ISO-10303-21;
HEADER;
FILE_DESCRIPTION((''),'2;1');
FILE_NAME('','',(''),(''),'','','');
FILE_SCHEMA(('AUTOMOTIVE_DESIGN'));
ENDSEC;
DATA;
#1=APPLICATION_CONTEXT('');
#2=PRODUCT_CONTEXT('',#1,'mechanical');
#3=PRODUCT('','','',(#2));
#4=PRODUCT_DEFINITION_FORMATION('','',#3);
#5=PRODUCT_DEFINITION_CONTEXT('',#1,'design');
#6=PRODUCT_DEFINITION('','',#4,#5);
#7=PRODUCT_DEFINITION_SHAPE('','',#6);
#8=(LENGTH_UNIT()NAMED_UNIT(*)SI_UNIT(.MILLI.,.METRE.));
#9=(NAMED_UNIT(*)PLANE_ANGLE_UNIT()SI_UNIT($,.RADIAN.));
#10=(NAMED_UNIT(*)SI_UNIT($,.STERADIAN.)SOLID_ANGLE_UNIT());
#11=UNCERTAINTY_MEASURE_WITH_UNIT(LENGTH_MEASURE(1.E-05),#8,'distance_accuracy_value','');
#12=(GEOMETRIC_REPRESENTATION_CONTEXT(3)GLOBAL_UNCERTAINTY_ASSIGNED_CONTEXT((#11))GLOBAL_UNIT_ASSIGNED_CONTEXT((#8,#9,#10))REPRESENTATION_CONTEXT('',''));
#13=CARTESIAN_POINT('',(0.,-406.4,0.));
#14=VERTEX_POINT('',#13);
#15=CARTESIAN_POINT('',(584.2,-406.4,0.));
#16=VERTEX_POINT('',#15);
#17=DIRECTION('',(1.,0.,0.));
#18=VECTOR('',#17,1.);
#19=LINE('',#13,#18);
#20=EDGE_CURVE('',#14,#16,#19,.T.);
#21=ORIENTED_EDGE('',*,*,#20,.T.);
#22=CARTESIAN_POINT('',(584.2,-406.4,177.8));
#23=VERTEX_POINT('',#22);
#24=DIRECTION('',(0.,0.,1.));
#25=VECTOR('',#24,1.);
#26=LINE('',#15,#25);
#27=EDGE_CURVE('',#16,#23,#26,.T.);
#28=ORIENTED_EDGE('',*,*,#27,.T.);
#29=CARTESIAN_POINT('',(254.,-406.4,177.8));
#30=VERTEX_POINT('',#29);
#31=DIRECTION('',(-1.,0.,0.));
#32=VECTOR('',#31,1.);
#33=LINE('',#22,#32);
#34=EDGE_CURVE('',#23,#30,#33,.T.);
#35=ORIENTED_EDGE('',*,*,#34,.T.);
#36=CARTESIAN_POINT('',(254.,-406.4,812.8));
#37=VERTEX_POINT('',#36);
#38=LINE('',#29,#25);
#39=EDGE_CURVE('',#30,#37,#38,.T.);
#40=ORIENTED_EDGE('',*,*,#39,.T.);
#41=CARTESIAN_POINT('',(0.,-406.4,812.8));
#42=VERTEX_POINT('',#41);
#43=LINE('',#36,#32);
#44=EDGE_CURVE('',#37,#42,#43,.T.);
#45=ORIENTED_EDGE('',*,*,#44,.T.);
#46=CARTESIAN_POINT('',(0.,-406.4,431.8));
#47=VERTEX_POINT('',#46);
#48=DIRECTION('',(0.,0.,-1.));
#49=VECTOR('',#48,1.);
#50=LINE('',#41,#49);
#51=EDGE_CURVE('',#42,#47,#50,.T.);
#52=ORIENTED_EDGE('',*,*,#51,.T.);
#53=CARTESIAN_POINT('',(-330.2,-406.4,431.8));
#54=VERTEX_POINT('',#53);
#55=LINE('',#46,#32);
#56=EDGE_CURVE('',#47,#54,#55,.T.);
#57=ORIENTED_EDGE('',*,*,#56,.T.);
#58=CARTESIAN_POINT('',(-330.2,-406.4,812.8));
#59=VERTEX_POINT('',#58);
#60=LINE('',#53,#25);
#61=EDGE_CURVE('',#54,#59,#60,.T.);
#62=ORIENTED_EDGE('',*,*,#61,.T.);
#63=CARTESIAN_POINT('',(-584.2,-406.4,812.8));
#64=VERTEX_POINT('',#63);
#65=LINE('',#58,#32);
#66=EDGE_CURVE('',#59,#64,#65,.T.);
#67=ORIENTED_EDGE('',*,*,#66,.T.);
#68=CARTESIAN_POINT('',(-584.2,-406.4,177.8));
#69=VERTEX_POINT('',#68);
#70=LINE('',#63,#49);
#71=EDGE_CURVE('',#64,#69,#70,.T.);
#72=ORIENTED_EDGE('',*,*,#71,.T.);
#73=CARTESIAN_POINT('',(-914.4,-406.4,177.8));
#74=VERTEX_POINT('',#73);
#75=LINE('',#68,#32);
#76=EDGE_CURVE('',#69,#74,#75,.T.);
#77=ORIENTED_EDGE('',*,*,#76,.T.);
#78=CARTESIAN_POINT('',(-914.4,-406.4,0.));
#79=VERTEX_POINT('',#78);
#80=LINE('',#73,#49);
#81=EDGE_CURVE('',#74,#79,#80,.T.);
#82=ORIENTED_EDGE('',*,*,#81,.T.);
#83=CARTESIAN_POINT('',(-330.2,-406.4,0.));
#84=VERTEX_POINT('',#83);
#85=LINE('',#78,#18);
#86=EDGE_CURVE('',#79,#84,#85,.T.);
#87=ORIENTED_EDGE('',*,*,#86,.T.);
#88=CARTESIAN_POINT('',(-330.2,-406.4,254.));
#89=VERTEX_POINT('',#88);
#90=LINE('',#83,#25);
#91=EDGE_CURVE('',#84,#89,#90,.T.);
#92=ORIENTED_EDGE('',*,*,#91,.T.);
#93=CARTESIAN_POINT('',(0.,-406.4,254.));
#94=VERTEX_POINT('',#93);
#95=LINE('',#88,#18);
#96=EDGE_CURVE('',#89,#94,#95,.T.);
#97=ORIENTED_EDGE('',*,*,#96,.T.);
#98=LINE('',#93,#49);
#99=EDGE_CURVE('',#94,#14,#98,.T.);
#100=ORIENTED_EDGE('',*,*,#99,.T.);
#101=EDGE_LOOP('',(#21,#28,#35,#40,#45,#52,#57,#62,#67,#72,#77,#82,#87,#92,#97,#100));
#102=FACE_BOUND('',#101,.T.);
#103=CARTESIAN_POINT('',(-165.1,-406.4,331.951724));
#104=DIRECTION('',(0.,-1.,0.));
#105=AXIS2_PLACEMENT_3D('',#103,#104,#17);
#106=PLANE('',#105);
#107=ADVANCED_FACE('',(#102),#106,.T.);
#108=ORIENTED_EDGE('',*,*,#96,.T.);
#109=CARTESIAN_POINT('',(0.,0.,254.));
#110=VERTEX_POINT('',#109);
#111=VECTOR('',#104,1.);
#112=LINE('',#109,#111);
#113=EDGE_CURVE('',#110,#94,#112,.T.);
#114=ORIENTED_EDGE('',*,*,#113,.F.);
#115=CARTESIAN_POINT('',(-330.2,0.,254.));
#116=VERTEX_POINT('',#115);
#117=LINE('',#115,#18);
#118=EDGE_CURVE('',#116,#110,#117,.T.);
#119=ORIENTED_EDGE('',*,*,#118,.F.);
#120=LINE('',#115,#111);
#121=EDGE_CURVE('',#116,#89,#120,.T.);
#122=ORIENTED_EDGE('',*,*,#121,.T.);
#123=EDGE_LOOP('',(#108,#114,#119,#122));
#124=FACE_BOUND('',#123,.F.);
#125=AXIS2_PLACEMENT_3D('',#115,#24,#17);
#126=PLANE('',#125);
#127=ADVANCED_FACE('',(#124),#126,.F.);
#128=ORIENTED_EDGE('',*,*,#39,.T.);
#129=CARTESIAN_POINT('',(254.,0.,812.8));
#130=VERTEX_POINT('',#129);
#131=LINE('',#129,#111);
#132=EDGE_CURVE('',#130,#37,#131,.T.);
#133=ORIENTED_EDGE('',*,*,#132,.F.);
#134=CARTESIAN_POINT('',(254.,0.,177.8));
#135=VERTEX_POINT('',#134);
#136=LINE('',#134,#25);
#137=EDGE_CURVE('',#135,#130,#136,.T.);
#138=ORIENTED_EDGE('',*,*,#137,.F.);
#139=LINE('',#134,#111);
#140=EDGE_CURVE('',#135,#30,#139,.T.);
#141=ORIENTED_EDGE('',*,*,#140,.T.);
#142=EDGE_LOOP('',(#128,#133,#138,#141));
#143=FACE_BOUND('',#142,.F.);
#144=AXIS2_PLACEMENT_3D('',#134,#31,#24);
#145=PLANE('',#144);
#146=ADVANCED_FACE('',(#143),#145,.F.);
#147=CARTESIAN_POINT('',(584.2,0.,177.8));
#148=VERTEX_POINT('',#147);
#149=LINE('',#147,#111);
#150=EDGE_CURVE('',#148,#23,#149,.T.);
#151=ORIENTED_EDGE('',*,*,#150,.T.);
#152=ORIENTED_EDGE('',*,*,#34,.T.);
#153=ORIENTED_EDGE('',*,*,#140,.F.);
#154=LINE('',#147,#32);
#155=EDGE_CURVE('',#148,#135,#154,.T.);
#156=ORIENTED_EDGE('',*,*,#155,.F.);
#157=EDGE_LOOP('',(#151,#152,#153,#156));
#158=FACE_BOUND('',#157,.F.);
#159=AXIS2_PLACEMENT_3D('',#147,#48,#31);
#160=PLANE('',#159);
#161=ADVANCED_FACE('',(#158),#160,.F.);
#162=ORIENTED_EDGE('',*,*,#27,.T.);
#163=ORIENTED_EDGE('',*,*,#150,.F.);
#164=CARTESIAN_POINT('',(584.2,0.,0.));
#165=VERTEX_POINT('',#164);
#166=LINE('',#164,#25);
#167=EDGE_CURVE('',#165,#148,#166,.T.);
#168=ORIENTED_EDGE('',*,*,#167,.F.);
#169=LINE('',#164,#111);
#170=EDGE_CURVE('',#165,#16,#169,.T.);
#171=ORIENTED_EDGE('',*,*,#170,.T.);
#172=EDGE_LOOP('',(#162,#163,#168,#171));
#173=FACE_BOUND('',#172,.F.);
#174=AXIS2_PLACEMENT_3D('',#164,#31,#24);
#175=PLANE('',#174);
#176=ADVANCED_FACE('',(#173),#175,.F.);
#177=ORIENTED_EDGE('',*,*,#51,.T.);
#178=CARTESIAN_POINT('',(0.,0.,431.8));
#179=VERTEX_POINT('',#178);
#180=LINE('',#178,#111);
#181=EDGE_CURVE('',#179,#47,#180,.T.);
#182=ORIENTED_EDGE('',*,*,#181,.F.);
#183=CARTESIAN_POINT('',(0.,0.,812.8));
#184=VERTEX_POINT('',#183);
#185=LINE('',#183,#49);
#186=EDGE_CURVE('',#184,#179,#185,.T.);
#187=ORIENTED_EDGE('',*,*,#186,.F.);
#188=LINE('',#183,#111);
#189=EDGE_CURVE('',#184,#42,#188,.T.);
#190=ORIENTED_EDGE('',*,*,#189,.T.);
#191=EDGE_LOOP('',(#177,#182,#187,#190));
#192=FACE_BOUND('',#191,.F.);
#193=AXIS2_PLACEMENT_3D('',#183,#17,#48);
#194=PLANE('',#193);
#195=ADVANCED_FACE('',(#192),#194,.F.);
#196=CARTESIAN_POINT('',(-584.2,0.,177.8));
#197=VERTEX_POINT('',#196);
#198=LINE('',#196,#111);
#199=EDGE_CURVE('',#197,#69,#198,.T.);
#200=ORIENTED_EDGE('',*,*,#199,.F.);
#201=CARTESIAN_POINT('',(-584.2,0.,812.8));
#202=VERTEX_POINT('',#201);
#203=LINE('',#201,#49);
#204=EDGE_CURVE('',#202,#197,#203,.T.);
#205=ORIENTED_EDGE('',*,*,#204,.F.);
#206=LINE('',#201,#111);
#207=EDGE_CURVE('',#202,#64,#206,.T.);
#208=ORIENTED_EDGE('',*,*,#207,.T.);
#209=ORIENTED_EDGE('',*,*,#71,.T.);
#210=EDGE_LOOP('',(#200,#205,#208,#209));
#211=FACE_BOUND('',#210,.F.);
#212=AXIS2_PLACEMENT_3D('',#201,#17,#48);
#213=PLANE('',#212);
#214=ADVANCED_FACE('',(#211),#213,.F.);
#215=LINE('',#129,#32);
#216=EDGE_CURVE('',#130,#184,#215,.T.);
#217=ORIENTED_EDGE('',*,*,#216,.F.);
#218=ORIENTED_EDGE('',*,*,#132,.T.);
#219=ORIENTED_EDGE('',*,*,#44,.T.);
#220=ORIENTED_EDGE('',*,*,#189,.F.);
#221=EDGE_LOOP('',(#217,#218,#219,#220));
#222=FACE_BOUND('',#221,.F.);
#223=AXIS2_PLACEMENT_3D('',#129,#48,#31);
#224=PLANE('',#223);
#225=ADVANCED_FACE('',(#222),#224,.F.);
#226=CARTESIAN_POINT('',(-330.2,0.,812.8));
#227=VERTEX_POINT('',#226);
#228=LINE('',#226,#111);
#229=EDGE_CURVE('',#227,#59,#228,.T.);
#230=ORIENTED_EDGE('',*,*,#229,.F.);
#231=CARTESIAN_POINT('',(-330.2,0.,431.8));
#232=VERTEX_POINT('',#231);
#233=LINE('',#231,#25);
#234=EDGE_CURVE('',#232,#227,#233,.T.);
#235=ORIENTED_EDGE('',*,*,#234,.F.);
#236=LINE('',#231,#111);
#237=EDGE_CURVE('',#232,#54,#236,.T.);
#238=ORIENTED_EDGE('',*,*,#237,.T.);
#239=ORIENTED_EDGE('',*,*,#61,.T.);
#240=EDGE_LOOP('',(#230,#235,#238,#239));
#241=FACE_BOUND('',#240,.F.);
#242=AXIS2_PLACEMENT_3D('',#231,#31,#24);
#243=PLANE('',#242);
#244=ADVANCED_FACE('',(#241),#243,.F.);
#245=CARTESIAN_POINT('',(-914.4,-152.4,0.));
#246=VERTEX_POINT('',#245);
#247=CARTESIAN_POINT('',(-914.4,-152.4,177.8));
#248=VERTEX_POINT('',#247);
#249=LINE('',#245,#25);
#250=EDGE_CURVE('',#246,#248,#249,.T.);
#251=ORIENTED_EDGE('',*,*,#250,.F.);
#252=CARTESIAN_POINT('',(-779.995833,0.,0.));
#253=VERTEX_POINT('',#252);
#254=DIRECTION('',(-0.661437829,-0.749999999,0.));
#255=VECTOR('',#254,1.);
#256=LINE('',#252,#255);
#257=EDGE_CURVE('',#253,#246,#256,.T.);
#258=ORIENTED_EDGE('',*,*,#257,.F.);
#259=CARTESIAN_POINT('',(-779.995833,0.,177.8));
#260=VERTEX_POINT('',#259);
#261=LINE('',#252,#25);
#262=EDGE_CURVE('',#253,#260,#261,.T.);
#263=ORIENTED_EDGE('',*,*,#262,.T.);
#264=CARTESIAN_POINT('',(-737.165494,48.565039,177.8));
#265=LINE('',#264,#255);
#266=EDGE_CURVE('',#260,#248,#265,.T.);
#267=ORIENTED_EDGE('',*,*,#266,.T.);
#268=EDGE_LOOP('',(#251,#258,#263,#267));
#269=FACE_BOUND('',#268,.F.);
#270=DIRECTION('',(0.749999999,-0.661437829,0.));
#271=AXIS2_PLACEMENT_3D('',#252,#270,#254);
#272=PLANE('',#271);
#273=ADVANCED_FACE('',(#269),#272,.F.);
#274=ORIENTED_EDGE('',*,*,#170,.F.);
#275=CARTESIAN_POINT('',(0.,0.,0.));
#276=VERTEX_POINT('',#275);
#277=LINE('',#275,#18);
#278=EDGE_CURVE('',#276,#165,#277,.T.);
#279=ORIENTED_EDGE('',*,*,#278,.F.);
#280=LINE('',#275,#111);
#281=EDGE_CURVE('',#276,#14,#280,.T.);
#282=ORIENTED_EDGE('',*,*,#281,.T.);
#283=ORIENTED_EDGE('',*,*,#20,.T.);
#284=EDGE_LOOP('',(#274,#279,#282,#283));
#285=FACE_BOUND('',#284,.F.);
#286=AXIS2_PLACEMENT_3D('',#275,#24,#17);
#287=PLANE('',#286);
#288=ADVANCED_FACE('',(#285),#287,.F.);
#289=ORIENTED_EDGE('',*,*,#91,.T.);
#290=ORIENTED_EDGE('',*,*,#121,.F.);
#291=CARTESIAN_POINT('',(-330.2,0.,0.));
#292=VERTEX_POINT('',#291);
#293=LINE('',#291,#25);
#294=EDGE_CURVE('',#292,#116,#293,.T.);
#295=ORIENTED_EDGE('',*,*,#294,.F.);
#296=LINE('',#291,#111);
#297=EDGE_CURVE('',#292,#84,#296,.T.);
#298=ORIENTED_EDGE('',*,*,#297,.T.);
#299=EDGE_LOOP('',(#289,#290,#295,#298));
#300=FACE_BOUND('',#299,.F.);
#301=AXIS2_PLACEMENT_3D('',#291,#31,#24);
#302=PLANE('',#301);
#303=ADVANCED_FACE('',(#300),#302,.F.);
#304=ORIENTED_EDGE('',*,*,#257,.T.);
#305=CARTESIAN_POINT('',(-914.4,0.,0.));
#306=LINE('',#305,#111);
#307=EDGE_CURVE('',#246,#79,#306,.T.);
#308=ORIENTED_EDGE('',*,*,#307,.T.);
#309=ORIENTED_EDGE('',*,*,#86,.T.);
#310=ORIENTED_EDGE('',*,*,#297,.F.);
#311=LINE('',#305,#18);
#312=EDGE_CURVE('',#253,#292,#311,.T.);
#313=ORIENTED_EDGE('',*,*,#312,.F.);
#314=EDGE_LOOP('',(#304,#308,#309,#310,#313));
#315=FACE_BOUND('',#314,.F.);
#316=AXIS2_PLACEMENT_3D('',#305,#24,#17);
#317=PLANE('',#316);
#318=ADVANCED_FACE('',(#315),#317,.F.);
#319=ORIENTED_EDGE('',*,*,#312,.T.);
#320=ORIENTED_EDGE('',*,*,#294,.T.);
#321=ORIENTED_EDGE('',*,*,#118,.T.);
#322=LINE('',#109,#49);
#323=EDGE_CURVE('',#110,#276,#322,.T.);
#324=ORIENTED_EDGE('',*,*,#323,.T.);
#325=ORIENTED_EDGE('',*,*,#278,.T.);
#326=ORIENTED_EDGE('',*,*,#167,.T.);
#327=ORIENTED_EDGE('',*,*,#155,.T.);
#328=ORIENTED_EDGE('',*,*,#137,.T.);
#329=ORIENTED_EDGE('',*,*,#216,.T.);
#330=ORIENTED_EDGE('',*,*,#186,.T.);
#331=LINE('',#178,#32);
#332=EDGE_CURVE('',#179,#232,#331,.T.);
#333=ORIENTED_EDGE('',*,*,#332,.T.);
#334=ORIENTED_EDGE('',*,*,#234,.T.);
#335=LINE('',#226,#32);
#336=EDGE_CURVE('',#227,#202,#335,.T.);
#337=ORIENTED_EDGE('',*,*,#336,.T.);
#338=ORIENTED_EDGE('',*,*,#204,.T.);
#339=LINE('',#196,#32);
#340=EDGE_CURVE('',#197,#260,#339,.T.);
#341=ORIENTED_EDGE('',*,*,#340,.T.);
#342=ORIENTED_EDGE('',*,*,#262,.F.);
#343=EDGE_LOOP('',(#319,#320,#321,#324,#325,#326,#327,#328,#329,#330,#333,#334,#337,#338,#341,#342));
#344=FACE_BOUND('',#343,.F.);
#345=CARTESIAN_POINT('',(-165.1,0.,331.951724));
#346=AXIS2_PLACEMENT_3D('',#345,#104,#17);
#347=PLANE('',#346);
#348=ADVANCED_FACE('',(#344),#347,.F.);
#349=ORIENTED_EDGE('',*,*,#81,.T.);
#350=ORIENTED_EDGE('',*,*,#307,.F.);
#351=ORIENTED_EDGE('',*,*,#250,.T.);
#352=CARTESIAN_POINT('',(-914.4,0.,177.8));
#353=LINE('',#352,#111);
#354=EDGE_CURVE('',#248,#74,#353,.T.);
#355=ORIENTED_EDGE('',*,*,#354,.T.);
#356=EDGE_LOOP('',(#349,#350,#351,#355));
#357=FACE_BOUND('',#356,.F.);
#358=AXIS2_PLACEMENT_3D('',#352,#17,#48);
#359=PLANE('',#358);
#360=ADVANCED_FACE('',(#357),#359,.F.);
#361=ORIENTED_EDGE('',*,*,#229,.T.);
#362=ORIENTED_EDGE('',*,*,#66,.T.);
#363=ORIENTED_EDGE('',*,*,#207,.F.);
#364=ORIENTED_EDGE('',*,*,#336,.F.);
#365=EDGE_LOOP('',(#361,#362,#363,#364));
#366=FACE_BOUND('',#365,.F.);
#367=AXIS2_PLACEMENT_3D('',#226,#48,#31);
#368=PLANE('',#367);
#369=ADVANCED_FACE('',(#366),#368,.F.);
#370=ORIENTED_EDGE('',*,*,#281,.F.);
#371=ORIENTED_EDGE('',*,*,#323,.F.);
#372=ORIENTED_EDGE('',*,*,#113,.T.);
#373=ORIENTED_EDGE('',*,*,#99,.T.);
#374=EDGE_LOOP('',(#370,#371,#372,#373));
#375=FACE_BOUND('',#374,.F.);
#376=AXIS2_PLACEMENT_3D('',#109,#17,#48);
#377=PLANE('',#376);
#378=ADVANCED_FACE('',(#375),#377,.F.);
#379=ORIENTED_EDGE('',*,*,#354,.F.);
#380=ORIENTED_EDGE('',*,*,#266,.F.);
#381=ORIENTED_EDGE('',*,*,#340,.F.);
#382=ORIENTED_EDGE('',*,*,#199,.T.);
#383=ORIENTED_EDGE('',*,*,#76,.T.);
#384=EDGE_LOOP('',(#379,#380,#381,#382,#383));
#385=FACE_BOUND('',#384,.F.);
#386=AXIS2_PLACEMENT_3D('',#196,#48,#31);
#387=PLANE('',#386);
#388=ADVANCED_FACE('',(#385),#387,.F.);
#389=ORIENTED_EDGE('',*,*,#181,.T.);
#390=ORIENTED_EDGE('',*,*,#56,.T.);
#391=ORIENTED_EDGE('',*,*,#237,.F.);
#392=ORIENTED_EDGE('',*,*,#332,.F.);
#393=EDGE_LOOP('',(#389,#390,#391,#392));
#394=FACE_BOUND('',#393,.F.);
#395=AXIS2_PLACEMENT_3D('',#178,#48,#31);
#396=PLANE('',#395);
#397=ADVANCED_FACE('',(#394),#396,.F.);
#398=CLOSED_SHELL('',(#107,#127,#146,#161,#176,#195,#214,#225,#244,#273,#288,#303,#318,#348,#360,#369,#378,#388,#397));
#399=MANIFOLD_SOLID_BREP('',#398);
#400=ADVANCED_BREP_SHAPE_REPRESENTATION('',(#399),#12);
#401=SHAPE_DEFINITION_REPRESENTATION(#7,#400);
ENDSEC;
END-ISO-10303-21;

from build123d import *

# Parameters (mm, degrees)
F1_DEPTH = 406.4
F3_DEPTH = 812.801


with BuildPart() as f1:
    # F0 (on Front) → F1 (new body)
    with BuildSketch(Plane.XZ):
        Polygon((0, 0), (584.2, 0), (584.2, 177.8), (254, 177.8), (254, 812.8), (0, 812.8), (0, 431.8), (-330.2, 431.8), (-330.2, 812.8), (-584.2, 812.8), (-584.2, 177.8), (-914.4, 177.8), (-914.4, 0), (-330.2, 0), (-330.2, 254), (0, 254), align=None)
    extrude(amount=F1_DEPTH)

    # F2 (on face) → F3 (cut, through all)
    with BuildSketch(Plane(origin=(0, 0, 0), x_dir=(1, 0, 0), z_dir=(0, 0, -1))):
        Polygon((-779.995833, 0), (-914.4, 152.4), (-914.4, 0), align=None)
    extrude(amount=-F3_DEPTH, mode=Mode.SUBTRACT)


solid = f1.part
